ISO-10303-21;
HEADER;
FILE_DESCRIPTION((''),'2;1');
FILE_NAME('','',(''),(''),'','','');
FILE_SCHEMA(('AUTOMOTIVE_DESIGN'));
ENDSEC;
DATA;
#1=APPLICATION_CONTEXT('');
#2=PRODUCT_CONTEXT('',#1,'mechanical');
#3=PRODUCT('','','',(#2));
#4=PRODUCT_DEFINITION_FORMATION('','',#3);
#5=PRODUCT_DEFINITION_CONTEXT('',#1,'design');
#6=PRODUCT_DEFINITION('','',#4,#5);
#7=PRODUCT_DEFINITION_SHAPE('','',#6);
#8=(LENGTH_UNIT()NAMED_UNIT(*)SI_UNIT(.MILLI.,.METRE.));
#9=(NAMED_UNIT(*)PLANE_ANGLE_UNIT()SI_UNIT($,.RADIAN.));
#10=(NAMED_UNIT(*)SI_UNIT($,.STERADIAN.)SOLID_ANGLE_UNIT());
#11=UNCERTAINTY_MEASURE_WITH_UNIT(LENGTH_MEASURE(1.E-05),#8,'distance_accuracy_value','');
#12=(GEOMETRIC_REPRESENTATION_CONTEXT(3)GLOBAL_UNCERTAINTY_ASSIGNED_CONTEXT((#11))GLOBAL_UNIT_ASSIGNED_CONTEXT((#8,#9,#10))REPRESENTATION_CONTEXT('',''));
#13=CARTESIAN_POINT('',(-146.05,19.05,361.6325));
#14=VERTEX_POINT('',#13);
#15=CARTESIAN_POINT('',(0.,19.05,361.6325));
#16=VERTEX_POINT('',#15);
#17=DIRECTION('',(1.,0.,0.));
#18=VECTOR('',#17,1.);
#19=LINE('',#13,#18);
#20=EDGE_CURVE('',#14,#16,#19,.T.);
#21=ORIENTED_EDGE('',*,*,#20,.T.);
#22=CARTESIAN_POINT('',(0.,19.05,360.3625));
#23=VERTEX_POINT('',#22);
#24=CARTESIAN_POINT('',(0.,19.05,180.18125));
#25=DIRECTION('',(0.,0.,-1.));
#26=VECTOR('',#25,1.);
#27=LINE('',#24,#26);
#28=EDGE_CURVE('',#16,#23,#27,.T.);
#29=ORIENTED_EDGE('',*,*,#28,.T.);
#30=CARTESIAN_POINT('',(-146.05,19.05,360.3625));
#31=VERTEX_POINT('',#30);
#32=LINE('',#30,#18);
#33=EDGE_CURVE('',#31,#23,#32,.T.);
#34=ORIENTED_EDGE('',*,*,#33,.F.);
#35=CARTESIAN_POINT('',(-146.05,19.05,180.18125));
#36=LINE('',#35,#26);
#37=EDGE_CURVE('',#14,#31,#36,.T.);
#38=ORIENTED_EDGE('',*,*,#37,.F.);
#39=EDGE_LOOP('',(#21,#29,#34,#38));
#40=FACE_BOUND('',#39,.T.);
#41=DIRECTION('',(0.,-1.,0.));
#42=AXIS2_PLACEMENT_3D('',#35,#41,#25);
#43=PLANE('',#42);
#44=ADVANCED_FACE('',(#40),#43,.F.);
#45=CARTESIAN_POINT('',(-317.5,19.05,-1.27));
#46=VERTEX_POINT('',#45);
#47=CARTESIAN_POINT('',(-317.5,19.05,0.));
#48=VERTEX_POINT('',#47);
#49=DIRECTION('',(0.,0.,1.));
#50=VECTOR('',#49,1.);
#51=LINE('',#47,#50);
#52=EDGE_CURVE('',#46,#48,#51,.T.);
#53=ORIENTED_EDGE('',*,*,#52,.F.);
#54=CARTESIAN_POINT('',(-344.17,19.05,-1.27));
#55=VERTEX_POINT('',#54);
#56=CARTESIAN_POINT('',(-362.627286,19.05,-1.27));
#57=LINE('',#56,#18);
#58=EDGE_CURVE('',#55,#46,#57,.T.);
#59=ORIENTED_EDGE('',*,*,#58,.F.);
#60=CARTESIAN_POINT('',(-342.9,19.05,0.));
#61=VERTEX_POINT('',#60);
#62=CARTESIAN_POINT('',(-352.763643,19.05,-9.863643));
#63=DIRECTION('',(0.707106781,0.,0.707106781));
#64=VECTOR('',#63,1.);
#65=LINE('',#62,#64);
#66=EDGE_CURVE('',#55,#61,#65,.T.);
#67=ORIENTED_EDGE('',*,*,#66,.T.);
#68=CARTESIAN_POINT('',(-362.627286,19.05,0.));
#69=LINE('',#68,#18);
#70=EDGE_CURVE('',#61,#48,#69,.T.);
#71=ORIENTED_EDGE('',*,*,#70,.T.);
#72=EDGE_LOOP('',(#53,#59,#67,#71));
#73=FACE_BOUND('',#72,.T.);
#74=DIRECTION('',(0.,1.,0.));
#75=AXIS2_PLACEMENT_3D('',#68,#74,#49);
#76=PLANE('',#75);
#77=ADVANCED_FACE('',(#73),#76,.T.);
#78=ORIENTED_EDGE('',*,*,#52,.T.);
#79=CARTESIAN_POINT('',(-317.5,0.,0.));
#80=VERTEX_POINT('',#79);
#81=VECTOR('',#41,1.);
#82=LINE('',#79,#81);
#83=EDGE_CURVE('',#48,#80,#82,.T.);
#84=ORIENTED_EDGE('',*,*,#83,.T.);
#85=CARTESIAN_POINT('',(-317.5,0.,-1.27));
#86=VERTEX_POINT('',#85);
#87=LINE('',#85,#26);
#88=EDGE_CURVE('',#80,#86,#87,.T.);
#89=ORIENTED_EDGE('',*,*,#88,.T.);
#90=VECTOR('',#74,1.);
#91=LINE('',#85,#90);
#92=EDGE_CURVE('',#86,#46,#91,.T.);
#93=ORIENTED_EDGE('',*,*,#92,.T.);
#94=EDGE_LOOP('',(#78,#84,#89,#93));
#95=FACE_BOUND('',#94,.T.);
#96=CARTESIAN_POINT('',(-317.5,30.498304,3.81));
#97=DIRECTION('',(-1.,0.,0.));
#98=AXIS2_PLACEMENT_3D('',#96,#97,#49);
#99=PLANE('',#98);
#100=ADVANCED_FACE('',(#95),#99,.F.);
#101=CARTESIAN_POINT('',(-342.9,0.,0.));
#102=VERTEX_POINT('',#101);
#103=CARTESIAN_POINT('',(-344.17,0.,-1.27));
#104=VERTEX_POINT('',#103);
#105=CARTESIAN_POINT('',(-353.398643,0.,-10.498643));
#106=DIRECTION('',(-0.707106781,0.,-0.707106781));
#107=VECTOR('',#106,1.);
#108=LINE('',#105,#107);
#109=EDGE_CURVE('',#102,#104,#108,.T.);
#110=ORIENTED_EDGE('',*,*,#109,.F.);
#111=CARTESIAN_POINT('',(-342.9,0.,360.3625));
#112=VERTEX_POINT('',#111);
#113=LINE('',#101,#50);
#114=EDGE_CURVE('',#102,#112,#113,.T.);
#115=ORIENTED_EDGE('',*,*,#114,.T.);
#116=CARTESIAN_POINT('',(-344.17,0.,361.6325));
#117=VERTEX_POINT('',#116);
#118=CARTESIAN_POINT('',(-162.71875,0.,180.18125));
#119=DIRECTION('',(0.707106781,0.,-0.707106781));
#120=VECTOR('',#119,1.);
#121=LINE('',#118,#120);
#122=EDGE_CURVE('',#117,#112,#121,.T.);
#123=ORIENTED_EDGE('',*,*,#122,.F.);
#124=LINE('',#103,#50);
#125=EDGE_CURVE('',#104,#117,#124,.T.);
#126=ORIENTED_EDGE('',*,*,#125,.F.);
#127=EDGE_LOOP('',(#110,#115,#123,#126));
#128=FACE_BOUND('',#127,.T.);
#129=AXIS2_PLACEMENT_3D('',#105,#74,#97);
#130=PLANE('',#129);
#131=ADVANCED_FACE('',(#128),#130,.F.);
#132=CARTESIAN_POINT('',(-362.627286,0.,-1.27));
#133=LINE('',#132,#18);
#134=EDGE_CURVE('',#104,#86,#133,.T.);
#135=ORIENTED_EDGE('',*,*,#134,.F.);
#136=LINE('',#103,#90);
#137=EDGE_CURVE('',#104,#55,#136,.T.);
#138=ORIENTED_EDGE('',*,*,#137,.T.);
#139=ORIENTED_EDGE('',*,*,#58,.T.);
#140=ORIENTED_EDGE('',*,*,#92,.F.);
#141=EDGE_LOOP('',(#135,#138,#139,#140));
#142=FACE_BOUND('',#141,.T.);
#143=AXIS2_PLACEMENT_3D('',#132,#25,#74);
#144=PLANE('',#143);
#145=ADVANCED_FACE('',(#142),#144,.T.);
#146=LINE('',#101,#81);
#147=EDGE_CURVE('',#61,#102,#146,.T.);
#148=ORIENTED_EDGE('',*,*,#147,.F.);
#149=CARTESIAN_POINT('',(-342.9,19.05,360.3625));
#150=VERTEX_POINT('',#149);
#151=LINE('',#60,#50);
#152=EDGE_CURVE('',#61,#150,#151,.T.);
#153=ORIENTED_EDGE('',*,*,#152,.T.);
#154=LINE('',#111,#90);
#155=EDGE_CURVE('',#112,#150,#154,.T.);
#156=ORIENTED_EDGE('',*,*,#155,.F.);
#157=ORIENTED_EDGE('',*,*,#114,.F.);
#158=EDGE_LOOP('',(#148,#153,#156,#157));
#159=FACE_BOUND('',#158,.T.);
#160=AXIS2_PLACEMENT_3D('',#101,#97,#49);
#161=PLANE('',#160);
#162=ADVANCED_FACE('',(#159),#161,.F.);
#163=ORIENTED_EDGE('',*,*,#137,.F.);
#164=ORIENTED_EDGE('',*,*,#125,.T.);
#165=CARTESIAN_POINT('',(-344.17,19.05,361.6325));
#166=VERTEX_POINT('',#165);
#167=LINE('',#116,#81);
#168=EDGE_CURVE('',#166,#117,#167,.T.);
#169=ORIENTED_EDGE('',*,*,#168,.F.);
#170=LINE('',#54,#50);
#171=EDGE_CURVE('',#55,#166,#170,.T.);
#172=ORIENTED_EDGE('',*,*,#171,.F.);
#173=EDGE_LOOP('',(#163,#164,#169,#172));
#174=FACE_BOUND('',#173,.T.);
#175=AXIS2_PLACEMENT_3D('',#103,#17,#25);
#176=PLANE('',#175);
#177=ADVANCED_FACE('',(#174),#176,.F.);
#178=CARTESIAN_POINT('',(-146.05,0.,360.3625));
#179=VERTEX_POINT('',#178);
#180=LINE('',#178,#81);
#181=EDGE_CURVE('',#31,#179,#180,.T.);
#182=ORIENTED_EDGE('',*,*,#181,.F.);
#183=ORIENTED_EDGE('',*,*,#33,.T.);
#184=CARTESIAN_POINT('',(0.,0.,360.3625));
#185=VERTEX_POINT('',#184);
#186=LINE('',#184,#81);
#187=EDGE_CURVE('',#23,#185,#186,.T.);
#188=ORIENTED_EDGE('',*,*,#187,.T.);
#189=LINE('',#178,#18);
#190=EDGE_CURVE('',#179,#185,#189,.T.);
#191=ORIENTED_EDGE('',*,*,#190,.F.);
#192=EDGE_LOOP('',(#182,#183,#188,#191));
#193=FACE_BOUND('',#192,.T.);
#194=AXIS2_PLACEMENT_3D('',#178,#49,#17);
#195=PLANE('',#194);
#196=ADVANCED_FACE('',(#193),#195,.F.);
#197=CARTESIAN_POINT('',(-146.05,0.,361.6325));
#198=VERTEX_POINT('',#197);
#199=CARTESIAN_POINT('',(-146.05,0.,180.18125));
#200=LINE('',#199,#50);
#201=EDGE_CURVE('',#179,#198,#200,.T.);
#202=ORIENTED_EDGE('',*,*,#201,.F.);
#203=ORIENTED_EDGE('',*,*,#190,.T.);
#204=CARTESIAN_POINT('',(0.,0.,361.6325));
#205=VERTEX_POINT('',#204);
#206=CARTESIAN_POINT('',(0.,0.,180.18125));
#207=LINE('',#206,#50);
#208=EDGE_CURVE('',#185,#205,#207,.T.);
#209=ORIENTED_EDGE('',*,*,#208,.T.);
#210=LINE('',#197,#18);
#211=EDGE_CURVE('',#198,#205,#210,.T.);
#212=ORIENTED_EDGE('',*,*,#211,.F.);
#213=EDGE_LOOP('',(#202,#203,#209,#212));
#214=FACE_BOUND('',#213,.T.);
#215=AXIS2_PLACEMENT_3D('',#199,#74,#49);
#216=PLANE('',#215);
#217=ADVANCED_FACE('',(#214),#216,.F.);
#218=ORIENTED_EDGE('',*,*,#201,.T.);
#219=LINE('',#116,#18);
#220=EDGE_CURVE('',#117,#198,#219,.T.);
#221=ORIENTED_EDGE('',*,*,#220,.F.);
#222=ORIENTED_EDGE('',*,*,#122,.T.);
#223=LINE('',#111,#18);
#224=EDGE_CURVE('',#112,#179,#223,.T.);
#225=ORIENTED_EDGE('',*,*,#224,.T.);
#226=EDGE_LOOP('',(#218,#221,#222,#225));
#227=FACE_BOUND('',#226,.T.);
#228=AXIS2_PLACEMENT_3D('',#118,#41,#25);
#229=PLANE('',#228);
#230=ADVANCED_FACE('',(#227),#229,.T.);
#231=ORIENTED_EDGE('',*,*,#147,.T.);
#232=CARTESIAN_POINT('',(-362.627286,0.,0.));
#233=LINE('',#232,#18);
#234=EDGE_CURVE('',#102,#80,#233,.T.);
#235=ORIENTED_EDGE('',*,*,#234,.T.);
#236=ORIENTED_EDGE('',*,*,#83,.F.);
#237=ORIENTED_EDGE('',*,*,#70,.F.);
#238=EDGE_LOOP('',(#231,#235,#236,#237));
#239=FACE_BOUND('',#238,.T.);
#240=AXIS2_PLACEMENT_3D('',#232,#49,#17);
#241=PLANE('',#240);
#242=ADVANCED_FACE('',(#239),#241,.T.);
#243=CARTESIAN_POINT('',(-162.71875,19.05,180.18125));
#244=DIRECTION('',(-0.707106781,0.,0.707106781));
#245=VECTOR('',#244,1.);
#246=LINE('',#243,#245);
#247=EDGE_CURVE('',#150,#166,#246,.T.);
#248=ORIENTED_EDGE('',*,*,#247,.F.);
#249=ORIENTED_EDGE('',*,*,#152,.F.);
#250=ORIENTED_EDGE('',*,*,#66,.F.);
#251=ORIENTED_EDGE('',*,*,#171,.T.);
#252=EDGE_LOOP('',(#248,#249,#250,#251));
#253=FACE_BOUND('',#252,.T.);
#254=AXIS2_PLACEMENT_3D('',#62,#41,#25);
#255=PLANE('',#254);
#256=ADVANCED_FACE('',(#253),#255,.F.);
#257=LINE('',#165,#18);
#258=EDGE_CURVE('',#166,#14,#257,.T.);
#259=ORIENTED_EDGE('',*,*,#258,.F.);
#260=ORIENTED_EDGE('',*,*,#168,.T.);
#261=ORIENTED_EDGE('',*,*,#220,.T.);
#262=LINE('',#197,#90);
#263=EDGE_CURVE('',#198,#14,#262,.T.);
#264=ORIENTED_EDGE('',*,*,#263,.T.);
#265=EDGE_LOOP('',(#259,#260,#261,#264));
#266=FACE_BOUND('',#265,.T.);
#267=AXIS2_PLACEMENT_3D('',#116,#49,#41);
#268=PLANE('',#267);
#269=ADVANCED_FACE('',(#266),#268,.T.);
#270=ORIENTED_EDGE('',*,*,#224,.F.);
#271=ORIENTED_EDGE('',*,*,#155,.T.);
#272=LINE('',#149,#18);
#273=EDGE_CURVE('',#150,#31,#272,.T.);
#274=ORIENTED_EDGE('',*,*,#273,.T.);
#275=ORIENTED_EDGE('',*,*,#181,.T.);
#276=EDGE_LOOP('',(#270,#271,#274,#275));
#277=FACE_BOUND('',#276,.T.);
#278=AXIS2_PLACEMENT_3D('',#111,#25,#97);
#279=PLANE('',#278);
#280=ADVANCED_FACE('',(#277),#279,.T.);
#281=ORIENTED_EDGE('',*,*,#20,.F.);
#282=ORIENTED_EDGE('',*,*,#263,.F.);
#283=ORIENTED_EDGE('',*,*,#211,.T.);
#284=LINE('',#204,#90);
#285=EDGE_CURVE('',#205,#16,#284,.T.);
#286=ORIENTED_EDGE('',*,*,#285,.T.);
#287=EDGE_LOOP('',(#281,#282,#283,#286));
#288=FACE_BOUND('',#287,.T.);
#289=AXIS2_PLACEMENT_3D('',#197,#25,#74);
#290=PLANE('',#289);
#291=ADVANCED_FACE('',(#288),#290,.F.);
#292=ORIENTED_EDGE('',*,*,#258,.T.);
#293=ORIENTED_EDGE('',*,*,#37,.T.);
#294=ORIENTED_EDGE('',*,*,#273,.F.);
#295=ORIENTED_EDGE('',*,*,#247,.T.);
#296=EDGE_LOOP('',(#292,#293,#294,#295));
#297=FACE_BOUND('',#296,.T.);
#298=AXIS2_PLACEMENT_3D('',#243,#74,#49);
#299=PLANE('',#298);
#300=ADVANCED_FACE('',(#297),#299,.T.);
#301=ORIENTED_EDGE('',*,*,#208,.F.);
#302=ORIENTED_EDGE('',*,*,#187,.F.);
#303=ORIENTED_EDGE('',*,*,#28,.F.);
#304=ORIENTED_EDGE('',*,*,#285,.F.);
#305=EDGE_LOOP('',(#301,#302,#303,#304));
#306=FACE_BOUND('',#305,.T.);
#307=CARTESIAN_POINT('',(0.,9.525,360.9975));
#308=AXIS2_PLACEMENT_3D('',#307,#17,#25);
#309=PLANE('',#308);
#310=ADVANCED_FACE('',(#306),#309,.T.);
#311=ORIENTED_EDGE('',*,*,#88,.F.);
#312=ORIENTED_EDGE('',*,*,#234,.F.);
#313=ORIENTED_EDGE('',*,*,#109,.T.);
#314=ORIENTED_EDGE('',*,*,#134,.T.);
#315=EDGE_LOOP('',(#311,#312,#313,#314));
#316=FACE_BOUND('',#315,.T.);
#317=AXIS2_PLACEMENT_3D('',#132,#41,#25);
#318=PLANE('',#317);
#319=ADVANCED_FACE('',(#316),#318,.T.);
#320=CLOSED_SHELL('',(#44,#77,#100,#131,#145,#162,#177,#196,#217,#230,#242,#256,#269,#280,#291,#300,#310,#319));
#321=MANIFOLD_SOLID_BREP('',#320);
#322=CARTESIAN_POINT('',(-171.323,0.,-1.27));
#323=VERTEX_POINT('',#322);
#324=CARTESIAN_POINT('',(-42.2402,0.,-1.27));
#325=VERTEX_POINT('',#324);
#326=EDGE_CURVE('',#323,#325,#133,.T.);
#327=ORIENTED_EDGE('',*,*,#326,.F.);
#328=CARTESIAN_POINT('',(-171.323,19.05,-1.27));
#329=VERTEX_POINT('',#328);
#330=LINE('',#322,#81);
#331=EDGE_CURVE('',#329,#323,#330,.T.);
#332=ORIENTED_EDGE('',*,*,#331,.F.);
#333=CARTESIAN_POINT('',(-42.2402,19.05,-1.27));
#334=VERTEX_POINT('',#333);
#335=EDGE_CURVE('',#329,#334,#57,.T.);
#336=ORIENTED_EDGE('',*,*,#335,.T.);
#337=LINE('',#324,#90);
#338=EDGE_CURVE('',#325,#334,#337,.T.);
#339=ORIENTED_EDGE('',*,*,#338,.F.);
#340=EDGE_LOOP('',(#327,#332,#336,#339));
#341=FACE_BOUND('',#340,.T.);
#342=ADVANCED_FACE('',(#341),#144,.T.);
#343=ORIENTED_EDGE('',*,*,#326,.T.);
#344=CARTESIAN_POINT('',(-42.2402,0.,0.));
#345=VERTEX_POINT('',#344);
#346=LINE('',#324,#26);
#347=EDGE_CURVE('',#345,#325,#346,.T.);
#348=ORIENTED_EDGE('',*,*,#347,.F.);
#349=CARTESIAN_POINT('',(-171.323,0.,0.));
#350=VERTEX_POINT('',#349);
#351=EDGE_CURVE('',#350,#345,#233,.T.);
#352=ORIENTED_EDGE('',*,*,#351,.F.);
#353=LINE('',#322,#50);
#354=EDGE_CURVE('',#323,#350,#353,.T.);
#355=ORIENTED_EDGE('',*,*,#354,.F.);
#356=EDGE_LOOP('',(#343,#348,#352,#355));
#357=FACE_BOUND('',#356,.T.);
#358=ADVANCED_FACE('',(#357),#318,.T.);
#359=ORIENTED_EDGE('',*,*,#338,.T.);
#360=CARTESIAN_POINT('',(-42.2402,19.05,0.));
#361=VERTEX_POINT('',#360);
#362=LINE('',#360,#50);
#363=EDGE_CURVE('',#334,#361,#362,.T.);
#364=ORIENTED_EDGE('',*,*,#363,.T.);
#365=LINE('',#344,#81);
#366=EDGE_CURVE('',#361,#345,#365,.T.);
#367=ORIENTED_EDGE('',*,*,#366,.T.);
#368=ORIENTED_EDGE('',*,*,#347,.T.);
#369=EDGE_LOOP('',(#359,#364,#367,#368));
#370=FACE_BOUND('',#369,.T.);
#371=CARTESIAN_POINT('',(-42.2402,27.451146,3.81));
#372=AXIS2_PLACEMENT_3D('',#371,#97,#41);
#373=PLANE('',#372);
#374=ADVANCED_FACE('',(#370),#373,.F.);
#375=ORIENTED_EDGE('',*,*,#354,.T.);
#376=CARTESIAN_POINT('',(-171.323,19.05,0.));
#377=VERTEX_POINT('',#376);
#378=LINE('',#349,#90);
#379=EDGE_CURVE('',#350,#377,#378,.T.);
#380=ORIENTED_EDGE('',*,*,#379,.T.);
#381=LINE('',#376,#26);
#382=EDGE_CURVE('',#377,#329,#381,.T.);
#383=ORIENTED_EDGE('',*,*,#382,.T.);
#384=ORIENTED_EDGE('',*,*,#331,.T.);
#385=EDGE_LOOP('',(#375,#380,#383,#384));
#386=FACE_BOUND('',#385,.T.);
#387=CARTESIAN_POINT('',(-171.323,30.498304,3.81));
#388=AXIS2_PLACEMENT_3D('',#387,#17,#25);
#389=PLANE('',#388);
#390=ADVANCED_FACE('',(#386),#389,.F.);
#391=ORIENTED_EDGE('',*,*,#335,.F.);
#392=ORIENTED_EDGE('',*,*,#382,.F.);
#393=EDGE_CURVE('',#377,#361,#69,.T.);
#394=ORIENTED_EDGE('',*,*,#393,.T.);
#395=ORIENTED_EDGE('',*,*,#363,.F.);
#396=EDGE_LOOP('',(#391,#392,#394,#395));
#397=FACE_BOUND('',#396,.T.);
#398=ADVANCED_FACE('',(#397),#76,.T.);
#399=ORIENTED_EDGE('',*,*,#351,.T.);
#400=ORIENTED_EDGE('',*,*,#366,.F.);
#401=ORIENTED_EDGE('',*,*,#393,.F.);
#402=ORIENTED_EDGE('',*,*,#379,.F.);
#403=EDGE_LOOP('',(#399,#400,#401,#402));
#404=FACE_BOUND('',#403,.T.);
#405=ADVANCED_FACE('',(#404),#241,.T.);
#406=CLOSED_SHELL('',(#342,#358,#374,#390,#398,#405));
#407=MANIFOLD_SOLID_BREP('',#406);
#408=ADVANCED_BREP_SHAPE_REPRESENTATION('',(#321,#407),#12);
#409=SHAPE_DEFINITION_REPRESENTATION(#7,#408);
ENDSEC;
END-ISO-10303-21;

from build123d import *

# Parameters (mm, degrees)
SKETCH2_W     = 1.27
SKETCH2_H     = 19.05
SKETCH4_W     = 42.2402
SKETCH4_H     = 30.583151246
SKETCH4_W_2   = 146.177
SKETCH4_H_2   = 37.281519526
NOTCHES_DEPTH = 5.08


with BuildPart() as part:
    # L-Bracket: sweep along a path in Sketch3
    with BuildLine(Plane(origin=(0, 0, 0), x_dir=(1, 0, 0), z_dir=(0, 1, 0))) as l_bracket_path:
        Line((0, 0), (-342.9, 0))
        Line((-342.9, 0), (-342.9, -360.3625))
        Line((-342.9, -360.3625), (-146.05, -360.3625))
        Line((-146.05, -360.3625), (0, -360.3625))
    # Sketch2 → L-Bracket (sweep)
    with BuildSketch(Plane(origin=(0, 0, 0), x_dir=(0, 0, -1), z_dir=(1, 0, 0))):
        with Locations((0.635, 9.525)):
            Rectangle(SKETCH2_W, SKETCH2_H)
    sweep(path=l_bracket_path.line, transition=Transition.RIGHT)

    # Sketch4 → Notches (cut)
    with BuildSketch(Plane(origin=(0, 0, -1.27), x_dir=(-1, 0, 0), z_dir=(0, 0, -1))):
        with Locations((21.1201, 12.159570772)):
            Rectangle(SKETCH4_W, SKETCH4_H)
        with Locations((244.4115, 11.857544077)):
            Rectangle(SKETCH4_W_2, SKETCH4_H_2)
    extrude(amount=-NOTCHES_DEPTH, mode=Mode.SUBTRACT)


solid = part.part
